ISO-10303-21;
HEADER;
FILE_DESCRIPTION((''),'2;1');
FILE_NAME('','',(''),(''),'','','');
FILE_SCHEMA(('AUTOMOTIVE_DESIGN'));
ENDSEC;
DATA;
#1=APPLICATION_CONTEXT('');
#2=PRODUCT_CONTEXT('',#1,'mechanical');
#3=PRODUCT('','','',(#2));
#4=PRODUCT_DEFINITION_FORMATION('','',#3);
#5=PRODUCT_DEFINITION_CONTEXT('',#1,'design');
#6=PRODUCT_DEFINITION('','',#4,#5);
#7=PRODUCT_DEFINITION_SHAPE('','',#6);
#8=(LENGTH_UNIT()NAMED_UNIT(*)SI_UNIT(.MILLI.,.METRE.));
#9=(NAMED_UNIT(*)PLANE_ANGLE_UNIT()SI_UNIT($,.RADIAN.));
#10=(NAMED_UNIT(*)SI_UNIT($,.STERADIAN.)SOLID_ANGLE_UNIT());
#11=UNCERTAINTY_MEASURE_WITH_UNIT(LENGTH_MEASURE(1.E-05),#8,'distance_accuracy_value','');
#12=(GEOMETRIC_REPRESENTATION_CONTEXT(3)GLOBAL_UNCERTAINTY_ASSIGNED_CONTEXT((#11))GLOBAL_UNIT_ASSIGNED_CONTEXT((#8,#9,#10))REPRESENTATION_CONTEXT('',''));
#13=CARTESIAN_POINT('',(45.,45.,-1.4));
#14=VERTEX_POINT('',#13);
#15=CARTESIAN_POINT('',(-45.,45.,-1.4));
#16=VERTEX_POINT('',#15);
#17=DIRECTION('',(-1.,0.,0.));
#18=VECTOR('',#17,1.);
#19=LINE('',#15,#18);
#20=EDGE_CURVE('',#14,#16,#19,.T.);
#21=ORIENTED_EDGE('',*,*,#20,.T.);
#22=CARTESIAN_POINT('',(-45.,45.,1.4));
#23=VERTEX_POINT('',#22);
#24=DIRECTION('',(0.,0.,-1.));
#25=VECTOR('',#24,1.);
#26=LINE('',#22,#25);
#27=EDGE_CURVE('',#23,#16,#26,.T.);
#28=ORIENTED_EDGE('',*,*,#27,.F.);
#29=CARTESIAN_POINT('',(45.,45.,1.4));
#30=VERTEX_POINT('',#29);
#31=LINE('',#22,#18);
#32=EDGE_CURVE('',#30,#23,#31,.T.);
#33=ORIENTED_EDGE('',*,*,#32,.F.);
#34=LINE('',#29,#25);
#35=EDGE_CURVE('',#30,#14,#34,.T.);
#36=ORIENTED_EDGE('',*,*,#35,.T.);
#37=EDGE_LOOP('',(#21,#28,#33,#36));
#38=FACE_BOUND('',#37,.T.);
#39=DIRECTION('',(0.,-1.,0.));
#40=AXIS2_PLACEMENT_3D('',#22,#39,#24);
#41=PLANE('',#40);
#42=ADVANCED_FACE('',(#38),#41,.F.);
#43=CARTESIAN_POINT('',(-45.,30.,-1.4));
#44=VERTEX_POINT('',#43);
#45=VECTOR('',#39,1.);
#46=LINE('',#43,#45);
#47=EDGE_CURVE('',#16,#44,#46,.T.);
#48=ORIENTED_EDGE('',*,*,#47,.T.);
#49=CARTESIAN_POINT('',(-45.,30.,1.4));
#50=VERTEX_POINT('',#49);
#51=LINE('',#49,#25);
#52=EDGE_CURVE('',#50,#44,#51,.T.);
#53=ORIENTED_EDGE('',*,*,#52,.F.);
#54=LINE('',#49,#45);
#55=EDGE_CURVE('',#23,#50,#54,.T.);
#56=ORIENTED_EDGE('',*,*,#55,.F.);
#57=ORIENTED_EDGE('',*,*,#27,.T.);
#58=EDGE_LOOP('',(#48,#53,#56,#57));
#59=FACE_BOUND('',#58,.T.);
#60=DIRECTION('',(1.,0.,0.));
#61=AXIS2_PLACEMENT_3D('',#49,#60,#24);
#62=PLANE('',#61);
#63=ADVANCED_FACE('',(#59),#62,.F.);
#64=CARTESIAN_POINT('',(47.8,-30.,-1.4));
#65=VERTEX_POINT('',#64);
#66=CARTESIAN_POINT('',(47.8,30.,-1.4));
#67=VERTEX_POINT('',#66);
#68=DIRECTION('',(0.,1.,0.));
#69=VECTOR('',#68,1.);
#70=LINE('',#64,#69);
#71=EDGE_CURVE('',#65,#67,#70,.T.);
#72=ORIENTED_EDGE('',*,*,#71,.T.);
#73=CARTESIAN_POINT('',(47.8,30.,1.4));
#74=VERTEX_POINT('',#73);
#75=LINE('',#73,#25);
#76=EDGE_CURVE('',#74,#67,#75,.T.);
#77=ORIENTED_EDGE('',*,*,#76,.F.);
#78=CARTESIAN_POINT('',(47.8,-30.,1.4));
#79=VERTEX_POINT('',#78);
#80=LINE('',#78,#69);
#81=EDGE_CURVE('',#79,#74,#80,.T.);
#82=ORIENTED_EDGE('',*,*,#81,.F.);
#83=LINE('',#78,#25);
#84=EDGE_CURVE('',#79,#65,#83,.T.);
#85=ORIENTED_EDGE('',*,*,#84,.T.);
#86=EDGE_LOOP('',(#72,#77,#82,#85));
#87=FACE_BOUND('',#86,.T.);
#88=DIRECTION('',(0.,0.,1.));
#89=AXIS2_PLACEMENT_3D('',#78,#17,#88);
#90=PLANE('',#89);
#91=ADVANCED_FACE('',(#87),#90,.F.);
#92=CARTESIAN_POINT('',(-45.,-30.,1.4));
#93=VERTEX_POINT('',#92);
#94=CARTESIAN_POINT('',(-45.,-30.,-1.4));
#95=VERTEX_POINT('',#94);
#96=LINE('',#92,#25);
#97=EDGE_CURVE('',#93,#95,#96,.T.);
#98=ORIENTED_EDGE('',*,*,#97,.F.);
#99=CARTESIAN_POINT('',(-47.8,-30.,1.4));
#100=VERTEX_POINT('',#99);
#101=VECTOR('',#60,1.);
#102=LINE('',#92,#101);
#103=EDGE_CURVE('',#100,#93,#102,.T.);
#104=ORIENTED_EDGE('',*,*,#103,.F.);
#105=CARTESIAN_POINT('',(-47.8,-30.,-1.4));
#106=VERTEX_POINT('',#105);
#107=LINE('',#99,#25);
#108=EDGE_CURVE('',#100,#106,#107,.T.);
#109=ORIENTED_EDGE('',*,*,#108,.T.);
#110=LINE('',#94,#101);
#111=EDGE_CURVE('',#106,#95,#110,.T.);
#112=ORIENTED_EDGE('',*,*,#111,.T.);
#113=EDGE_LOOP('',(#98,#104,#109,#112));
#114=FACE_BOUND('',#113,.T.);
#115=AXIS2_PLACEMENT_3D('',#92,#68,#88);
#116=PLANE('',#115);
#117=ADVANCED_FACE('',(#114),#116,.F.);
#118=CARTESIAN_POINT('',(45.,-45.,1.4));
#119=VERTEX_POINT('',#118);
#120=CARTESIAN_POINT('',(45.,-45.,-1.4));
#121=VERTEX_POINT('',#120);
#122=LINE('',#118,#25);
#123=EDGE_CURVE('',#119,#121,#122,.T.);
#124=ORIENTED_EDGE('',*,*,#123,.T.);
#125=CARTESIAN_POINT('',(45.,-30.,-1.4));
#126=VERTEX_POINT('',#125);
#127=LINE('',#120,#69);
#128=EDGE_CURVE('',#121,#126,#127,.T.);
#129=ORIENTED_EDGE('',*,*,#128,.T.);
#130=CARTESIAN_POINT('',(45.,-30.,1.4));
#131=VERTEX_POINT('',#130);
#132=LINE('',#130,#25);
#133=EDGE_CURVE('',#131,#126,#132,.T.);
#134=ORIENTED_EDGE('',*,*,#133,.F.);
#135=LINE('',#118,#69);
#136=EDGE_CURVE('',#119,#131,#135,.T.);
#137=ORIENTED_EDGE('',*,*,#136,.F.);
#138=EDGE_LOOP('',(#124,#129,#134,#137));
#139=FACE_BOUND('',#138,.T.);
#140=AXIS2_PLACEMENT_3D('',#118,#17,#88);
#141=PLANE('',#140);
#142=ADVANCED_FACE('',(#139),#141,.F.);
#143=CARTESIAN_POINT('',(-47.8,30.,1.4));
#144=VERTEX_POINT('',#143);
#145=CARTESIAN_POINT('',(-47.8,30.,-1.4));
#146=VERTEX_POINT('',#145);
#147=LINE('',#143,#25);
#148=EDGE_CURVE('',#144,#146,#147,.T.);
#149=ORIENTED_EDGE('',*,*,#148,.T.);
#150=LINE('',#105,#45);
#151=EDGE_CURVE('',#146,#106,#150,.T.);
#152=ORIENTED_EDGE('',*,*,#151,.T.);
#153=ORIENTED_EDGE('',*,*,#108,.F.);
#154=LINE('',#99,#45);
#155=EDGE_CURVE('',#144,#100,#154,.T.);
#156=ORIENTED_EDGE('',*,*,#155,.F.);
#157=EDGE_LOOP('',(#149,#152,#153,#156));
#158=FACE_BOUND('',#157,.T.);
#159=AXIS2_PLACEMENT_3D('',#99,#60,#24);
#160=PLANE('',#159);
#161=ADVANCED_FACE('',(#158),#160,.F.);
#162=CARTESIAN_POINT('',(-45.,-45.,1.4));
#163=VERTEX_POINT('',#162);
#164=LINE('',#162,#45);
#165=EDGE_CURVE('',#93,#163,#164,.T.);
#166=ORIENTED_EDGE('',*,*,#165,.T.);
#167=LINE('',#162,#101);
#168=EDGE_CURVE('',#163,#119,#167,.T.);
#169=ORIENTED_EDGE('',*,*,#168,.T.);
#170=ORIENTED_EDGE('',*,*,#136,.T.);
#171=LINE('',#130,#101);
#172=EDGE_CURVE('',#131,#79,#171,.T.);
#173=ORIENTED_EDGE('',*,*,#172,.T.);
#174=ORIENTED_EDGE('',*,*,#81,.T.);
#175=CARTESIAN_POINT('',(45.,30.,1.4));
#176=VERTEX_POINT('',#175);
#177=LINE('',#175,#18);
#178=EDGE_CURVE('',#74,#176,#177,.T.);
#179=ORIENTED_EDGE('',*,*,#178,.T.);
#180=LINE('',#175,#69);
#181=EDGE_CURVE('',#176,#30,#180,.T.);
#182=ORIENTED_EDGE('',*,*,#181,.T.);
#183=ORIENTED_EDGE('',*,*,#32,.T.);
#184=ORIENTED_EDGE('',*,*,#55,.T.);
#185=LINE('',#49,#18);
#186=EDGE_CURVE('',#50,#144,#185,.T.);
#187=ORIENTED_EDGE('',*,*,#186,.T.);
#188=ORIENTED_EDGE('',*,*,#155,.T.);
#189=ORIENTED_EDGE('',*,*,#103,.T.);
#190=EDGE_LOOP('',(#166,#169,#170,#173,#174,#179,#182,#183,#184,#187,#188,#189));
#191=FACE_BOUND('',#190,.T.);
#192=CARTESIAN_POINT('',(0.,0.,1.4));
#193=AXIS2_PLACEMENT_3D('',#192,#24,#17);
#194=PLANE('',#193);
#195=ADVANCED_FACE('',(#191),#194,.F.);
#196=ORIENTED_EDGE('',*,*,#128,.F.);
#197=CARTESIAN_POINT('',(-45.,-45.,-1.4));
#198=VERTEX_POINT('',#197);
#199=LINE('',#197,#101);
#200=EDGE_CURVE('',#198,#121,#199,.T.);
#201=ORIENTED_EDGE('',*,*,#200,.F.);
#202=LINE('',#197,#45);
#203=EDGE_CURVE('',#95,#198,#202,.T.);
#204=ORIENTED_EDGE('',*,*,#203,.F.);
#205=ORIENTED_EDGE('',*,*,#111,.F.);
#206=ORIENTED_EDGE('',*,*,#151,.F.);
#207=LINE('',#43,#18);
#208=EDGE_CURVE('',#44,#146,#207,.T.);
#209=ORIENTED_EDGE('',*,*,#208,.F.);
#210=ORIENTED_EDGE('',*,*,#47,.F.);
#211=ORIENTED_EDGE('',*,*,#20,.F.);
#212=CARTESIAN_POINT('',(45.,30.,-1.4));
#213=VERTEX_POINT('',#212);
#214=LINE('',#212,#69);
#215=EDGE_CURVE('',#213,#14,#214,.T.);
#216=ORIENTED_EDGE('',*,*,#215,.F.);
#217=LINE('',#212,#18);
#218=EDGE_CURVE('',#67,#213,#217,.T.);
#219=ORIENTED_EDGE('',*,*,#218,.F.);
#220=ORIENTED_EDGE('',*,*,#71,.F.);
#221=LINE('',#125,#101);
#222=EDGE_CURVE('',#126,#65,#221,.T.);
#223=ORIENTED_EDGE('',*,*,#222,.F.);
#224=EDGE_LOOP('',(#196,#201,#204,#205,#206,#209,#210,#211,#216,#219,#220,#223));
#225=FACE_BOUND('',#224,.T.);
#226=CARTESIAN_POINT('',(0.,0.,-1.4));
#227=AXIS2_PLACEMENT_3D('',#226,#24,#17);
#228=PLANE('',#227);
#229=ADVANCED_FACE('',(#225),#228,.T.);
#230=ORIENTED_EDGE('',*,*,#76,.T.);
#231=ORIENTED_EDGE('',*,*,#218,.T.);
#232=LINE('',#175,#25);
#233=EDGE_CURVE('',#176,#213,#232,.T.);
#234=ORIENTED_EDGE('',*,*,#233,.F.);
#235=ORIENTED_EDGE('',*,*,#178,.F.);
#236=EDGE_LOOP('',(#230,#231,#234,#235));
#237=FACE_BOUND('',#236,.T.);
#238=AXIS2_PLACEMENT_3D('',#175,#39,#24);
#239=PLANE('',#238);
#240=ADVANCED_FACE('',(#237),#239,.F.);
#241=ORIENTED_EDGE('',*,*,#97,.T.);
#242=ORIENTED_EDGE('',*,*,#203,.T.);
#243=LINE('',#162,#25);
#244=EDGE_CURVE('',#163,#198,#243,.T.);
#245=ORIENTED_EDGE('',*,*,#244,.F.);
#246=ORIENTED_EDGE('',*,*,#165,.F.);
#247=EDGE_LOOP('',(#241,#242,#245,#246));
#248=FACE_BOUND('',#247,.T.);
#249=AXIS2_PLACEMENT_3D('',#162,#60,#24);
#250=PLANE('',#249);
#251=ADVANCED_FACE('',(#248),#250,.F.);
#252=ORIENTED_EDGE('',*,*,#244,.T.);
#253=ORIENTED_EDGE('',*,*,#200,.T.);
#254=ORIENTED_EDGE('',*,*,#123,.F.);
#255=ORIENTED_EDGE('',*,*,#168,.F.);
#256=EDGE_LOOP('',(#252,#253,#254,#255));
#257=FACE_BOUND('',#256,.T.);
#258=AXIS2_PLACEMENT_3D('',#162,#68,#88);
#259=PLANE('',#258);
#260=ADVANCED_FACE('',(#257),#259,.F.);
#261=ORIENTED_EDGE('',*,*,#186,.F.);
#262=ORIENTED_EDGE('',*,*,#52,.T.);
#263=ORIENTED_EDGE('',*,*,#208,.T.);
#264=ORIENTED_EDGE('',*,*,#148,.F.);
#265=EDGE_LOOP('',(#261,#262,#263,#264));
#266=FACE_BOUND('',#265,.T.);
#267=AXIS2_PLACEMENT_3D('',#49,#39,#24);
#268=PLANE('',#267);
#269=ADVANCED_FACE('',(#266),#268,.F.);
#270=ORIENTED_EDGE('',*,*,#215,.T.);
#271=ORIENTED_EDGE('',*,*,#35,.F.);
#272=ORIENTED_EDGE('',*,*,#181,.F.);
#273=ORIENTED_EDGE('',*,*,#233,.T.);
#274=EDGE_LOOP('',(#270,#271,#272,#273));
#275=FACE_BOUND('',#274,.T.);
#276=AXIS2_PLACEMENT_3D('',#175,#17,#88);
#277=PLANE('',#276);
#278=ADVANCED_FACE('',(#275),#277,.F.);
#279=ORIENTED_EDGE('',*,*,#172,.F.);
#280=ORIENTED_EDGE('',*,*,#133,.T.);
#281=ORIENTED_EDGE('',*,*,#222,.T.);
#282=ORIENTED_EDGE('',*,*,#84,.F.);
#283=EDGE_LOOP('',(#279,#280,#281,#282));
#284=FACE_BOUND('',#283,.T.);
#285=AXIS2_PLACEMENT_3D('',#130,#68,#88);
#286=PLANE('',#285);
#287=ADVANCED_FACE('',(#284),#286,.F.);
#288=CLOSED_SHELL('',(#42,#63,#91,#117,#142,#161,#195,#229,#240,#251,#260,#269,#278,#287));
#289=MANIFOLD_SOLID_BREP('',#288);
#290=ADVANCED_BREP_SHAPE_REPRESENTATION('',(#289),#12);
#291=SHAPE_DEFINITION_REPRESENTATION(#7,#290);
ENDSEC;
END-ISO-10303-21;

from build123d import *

# Parameters (mm, degrees)
EXTRUDE_1_DEPTH = 1.4


with BuildPart() as part:
    # Эскиз1 → Бобышка-Вытянуть1 (new, symmetric)
    with BuildSketch(Plane.XY):
        Polygon((-45, -45), (45, -45), (45, -30), (47.8, -30), (47.8, 30), (45, 30), (45, 45), (-45, 45), (-45, 30), (-47.8, 30), (-47.8, -30), (-45, -30), align=None)
    extrude(amount=EXTRUDE_1_DEPTH, both=True)


solid = part.part
